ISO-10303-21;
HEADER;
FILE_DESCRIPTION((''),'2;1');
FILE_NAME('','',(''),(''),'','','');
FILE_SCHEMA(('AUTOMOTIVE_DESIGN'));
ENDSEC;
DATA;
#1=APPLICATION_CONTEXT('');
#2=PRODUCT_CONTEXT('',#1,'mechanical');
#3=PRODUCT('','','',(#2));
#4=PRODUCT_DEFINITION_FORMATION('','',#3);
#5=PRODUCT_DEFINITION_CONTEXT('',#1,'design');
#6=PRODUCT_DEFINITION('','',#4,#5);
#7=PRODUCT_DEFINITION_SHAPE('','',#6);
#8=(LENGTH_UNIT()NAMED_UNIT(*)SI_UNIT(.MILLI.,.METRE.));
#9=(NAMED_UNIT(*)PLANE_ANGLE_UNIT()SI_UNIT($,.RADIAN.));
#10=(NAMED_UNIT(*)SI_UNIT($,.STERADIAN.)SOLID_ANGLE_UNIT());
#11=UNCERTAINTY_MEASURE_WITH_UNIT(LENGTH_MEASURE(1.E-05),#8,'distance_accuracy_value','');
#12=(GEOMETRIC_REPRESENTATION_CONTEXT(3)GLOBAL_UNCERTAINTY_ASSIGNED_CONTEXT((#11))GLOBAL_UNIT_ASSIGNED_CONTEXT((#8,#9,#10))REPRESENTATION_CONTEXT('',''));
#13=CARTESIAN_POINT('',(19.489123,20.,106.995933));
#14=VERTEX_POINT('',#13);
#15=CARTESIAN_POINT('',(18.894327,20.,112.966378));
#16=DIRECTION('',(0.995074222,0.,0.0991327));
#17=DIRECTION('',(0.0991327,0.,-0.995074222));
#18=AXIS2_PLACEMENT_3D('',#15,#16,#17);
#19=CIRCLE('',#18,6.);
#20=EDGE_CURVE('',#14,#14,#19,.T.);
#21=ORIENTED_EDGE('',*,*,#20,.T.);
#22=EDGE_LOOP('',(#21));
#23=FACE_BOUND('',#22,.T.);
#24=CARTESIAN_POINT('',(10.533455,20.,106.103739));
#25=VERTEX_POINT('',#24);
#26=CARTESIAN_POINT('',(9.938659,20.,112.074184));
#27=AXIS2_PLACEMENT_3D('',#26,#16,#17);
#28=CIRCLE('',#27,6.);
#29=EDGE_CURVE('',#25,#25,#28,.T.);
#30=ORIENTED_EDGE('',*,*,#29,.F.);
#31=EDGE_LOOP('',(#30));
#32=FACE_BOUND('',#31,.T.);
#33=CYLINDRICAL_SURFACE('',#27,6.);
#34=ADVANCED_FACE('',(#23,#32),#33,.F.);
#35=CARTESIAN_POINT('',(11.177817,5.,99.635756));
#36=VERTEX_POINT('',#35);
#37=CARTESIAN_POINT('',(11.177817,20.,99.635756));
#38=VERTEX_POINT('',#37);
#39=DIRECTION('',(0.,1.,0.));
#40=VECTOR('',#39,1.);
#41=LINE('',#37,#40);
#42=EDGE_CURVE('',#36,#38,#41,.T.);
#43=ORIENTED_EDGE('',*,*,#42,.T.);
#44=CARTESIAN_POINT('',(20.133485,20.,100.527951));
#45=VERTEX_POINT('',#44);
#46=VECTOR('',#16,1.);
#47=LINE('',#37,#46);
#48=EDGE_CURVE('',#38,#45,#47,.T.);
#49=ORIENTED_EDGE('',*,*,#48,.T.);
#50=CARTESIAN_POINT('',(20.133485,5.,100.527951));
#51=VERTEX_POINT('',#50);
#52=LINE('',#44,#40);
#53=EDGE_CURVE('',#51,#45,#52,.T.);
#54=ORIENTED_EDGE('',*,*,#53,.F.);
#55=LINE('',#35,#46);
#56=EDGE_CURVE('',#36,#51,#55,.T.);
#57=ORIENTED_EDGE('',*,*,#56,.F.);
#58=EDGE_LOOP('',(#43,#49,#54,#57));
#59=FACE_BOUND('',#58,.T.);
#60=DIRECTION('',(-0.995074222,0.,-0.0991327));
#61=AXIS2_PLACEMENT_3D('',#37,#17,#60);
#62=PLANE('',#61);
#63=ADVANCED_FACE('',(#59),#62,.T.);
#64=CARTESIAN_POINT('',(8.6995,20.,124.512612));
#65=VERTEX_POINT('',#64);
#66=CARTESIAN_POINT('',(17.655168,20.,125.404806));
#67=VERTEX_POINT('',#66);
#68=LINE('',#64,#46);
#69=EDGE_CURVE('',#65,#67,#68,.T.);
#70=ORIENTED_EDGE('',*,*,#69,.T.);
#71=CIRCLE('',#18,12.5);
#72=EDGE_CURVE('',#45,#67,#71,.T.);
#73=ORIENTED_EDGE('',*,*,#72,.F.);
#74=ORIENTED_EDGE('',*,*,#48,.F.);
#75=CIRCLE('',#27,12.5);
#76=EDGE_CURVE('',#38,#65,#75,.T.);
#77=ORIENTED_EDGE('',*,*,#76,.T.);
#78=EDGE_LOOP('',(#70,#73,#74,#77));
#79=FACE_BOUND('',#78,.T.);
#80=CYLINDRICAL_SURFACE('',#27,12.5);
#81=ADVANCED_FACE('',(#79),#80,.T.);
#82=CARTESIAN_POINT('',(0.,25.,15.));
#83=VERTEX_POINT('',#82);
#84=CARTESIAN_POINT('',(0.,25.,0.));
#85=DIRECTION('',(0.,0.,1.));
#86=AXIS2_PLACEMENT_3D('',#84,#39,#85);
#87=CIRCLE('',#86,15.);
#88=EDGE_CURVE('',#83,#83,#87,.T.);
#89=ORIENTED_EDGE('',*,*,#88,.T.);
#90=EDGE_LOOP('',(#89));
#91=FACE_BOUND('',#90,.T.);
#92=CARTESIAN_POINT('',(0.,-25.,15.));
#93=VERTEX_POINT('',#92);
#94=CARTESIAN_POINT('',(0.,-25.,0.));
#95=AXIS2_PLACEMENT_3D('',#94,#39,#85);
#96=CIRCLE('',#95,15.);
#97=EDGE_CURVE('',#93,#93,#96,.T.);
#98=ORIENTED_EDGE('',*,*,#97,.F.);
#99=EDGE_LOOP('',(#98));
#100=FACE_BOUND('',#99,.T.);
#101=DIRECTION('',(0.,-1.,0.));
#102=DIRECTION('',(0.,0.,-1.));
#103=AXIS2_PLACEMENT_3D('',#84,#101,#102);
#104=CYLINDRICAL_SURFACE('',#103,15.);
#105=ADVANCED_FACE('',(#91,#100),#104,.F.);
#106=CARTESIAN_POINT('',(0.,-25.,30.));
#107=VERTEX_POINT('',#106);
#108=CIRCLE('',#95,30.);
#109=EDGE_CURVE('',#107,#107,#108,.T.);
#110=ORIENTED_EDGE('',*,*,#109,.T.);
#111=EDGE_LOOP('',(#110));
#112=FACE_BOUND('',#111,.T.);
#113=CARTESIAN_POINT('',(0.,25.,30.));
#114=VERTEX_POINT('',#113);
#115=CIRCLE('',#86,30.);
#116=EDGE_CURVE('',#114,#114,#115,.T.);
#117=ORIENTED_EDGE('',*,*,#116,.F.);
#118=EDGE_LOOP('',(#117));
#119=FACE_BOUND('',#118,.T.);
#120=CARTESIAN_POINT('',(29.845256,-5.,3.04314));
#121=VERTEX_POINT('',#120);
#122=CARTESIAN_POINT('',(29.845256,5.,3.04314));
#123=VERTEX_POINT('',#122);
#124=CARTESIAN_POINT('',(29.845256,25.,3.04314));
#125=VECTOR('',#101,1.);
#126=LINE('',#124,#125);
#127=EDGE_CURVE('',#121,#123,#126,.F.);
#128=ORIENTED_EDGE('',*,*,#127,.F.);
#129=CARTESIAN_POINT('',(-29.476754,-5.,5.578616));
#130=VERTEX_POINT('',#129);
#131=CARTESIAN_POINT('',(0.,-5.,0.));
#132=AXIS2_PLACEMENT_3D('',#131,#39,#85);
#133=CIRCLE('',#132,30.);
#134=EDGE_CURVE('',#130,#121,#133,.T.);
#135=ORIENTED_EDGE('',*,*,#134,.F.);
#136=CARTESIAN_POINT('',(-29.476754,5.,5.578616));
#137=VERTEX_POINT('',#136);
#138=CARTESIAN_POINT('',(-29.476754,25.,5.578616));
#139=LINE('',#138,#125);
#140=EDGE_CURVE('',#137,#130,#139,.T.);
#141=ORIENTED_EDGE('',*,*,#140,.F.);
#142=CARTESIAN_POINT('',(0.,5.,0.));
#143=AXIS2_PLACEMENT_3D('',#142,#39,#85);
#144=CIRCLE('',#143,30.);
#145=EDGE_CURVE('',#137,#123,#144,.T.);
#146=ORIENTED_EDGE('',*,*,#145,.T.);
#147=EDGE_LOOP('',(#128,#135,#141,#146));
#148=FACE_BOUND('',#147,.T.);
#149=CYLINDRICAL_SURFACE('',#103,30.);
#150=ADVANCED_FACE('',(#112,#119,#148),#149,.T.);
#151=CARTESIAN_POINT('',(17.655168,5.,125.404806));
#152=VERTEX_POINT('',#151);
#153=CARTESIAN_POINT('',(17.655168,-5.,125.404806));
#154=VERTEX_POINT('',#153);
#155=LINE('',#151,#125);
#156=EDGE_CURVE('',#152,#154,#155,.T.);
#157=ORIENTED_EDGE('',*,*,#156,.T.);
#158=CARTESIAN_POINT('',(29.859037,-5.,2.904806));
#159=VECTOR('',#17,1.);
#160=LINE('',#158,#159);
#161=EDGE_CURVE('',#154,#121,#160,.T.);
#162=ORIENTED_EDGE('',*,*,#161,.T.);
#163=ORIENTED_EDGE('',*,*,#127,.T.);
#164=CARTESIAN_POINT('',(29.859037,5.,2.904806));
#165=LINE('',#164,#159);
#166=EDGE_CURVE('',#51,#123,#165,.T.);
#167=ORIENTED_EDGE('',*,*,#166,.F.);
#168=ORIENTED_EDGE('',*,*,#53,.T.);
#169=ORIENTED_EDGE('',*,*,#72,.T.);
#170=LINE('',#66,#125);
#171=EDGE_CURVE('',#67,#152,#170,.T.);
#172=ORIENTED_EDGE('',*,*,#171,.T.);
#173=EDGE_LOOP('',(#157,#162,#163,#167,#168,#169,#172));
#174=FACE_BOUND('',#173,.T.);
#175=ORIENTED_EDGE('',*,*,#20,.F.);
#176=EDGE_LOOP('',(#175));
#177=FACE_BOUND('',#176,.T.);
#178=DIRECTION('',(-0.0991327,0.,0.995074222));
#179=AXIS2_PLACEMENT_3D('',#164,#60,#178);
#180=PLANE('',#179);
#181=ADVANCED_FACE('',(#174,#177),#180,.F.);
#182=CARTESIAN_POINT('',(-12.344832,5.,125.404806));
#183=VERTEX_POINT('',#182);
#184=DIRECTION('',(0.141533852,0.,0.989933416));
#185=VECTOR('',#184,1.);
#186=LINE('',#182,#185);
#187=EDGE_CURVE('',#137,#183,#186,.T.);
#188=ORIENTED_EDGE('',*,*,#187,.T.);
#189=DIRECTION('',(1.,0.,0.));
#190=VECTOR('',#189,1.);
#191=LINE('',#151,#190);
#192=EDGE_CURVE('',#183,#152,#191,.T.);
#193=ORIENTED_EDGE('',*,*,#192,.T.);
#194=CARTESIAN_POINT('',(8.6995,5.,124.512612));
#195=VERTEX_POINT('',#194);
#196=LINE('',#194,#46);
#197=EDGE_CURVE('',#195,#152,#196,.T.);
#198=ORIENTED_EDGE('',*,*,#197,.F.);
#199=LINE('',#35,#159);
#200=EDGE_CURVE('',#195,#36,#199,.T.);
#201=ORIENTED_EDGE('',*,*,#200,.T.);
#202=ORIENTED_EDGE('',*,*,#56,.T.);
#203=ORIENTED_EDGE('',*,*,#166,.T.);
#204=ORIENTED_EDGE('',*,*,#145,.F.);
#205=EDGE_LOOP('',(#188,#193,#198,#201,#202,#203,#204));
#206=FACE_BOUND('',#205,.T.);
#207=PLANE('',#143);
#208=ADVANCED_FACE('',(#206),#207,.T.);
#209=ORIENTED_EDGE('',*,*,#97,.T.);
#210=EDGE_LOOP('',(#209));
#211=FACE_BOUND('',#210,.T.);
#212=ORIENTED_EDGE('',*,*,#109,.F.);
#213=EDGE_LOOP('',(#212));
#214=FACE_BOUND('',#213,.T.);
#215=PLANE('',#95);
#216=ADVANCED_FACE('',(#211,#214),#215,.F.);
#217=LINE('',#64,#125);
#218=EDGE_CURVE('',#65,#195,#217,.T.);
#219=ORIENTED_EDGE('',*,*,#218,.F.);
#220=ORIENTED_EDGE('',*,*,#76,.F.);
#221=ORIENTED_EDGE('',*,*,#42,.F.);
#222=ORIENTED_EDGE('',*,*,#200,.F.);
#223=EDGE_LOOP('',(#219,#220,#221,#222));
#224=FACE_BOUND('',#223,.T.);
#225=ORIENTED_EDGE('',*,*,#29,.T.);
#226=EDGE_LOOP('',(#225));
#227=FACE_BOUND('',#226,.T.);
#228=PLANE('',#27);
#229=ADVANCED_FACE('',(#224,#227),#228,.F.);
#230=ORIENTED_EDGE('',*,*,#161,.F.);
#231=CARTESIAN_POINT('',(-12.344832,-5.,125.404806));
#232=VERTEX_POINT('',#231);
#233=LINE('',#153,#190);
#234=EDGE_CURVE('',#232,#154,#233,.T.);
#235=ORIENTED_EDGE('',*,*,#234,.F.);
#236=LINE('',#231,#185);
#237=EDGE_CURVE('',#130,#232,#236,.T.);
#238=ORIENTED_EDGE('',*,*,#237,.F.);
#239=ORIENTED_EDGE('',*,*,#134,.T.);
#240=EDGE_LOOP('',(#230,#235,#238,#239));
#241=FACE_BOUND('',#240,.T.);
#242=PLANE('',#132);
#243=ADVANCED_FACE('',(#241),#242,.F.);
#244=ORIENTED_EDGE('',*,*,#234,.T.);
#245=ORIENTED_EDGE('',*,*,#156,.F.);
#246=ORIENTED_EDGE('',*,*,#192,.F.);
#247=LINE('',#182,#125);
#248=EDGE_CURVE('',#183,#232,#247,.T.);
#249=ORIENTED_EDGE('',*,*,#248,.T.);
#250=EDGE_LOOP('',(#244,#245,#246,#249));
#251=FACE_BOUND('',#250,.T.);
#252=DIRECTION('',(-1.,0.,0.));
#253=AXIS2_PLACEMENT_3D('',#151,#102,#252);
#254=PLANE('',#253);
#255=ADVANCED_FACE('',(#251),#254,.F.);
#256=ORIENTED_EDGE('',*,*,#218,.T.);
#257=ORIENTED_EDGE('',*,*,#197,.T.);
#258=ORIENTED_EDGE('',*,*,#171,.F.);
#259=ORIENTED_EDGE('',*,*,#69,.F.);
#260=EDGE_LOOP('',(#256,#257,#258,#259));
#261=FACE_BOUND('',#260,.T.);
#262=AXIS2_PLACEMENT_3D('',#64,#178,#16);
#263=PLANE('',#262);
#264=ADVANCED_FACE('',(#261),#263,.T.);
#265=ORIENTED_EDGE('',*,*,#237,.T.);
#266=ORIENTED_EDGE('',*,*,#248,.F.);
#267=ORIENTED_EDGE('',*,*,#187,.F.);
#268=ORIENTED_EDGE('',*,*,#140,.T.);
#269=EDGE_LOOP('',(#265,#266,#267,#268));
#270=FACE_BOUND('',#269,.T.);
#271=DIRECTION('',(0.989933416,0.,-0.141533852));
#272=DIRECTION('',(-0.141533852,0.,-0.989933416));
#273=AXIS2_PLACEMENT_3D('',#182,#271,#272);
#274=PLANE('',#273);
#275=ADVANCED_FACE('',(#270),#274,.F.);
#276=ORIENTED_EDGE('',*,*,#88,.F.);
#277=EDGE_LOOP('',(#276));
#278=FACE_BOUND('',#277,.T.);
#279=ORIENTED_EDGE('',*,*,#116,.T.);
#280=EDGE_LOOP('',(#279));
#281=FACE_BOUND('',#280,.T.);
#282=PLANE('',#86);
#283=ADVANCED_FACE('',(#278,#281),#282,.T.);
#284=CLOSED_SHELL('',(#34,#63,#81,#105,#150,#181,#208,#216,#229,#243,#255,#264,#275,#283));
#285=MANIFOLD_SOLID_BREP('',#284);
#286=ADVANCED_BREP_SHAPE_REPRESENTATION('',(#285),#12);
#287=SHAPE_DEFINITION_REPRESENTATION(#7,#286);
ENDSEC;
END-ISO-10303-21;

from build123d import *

# Parameters (mm, degrees)
SKETCH9_R           = 30
SKETCH9_R_2         = 15
BOSS_EXTRUDE4_DEPTH = 25
BOSS_EXTRUDE5_DEPTH = 5
CUT_EXTRUDE2_DEPTH  = 99
SKETCH12_R          = 6
BOSS_EXTRUDE6_DEPTH = 9


with BuildPart() as part:
    # Sketch9 → Boss-Extrude4 (new body, symmetric)
    with BuildSketch(Plane(origin=(0, 0, 0), x_dir=(1, 0, 0), z_dir=(0, 1, 0))):
        Circle(SKETCH9_R)
        Circle(SKETCH9_R_2, mode=Mode.SUBTRACT)
    extrude(amount=BOSS_EXTRUDE4_DEPTH, both=True)

    # Sketch10 → Boss-Extrude5 (add, symmetric)
    with BuildSketch(Plane(origin=(0, 0, 0), x_dir=(1, 0, 0), z_dir=(0, 1, 0))):
        Polygon((29.859037173, -2.904806205), (17.655167851, -125.404806205), (-12.344832149, -125.404806205), (-29.859037173, -2.904806205), align=None)
    extrude(amount=BOSS_EXTRUDE5_DEPTH, both=True)

    # Sketch11 → Cut-Extrude2 (cut)
    with BuildSketch(Plane(origin=(0, 5, 0), x_dir=(1, 0, 0), z_dir=(0, 1, 0))):
        with BuildLine():
            Line((-14.716049093, -2.904806205), (14.716049093, -2.904806205))
            ThreePointArc((14.716049093, -2.904806205), (0, -15), (-14.716049093, -2.904806205))
        make_face()
    extrude(amount=-CUT_EXTRUDE2_DEPTH, mode=Mode.SUBTRACT)

    # Sketch12 → Boss-Extrude6 (add)
    with BuildSketch(Plane(origin=(29.852146538, 0, 2.973973023), x_dir=(0.0991327, 0, -0.995074222), z_dir=(0.995074222, 0, 0.0991327))):
        with BuildLine():
            Line((-123.036885537, 20), (-123.036885537, 5))
            Line((-123.036885537, 5), (-98.036885537, 5))
            Line((-98.036885537, 5), (-98.036885537, 20))
            ThreePointArc((-98.036885537, 20), (-110.536885537, 32.5), (-123.036885537, 20))
        make_face()
        with Locations((-110.536885537, 20)):
            Circle(SKETCH12_R, mode=Mode.SUBTRACT)
    extrude(amount=-BOSS_EXTRUDE6_DEPTH)


solid = part.part
